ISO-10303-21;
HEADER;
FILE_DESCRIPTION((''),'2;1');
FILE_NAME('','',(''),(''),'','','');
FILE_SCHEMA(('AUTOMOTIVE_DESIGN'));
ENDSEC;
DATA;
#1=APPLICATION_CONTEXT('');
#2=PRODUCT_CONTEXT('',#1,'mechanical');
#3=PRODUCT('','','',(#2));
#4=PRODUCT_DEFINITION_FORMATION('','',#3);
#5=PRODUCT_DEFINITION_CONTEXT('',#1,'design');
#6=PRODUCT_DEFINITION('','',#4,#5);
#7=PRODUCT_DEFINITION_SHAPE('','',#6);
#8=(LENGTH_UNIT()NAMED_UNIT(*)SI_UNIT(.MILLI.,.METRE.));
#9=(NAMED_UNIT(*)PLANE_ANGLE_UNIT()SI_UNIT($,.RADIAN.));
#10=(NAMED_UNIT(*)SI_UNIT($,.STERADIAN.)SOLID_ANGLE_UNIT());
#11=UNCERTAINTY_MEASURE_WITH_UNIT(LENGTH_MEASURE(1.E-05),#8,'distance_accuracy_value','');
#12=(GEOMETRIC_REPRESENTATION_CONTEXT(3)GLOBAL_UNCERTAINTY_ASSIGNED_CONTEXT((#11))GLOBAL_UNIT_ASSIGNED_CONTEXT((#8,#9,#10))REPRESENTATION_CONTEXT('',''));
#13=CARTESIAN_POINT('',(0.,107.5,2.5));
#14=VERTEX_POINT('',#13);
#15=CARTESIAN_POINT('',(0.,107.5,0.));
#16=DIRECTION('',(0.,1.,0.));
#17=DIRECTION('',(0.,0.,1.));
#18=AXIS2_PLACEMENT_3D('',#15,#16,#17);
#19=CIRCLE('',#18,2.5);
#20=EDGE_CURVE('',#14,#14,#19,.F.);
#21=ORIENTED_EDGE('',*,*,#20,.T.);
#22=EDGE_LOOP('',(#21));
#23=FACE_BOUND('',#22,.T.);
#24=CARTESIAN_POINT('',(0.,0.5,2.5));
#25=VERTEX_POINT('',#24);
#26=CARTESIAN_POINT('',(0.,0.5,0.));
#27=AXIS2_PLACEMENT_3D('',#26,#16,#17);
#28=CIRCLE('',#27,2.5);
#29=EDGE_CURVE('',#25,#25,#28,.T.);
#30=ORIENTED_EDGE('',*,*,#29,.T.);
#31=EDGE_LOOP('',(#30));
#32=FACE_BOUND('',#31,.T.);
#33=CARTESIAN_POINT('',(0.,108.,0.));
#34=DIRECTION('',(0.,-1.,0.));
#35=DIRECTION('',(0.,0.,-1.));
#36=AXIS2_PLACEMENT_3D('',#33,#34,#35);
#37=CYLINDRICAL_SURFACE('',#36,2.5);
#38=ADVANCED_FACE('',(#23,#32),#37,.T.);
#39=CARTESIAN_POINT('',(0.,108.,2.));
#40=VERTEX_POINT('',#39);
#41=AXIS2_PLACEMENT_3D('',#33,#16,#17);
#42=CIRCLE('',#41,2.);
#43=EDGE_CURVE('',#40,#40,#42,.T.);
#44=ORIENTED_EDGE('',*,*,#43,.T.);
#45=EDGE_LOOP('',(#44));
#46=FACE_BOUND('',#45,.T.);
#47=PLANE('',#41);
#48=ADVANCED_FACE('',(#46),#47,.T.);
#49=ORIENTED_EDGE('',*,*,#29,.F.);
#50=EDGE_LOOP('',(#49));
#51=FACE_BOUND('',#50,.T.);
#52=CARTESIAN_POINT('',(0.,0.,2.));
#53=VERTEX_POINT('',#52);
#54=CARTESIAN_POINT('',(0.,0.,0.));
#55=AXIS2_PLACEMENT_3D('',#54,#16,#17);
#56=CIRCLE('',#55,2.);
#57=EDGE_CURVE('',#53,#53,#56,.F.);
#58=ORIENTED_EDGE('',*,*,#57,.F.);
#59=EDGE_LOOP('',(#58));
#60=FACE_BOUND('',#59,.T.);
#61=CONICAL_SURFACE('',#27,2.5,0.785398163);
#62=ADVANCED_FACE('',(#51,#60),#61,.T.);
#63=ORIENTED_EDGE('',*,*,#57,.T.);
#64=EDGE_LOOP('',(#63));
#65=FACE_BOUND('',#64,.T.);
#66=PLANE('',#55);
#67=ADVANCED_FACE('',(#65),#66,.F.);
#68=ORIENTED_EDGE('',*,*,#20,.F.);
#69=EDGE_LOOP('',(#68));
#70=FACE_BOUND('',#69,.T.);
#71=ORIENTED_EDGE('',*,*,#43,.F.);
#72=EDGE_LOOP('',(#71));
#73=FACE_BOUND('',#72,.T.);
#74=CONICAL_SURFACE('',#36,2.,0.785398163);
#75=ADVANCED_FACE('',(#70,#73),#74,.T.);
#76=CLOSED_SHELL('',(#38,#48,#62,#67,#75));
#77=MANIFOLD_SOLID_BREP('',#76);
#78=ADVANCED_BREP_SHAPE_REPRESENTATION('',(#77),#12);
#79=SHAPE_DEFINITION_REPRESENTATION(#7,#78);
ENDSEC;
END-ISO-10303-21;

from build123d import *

# Parameters (mm, degrees)
SKETCH_1_R      = 2.5
EXTRUDE_1_DEPTH = 108
CHAMFER_1_SIZE  = 0.5


with BuildPart() as part:
    # 草图1 → 凸台-拉伸1 (new body)
    with BuildSketch(Plane(origin=(0, 0, 0), x_dir=(1, 0, 0), z_dir=(0, 1, 0))):
        with Locations(Location((0, 0, 0), (0, 0, 270))):
            Circle(SKETCH_1_R)
    extrude(amount=EXTRUDE_1_DEPTH)

    # 倒角1
    chamfer_1_edges = [part.edges().sort_by_distance(p)[0] for p in [
        (0, 0, -2.5),
        (0, 108, -2.5),
    ]]
    chamfer(chamfer_1_edges, length=CHAMFER_1_SIZE)


solid = part.part
